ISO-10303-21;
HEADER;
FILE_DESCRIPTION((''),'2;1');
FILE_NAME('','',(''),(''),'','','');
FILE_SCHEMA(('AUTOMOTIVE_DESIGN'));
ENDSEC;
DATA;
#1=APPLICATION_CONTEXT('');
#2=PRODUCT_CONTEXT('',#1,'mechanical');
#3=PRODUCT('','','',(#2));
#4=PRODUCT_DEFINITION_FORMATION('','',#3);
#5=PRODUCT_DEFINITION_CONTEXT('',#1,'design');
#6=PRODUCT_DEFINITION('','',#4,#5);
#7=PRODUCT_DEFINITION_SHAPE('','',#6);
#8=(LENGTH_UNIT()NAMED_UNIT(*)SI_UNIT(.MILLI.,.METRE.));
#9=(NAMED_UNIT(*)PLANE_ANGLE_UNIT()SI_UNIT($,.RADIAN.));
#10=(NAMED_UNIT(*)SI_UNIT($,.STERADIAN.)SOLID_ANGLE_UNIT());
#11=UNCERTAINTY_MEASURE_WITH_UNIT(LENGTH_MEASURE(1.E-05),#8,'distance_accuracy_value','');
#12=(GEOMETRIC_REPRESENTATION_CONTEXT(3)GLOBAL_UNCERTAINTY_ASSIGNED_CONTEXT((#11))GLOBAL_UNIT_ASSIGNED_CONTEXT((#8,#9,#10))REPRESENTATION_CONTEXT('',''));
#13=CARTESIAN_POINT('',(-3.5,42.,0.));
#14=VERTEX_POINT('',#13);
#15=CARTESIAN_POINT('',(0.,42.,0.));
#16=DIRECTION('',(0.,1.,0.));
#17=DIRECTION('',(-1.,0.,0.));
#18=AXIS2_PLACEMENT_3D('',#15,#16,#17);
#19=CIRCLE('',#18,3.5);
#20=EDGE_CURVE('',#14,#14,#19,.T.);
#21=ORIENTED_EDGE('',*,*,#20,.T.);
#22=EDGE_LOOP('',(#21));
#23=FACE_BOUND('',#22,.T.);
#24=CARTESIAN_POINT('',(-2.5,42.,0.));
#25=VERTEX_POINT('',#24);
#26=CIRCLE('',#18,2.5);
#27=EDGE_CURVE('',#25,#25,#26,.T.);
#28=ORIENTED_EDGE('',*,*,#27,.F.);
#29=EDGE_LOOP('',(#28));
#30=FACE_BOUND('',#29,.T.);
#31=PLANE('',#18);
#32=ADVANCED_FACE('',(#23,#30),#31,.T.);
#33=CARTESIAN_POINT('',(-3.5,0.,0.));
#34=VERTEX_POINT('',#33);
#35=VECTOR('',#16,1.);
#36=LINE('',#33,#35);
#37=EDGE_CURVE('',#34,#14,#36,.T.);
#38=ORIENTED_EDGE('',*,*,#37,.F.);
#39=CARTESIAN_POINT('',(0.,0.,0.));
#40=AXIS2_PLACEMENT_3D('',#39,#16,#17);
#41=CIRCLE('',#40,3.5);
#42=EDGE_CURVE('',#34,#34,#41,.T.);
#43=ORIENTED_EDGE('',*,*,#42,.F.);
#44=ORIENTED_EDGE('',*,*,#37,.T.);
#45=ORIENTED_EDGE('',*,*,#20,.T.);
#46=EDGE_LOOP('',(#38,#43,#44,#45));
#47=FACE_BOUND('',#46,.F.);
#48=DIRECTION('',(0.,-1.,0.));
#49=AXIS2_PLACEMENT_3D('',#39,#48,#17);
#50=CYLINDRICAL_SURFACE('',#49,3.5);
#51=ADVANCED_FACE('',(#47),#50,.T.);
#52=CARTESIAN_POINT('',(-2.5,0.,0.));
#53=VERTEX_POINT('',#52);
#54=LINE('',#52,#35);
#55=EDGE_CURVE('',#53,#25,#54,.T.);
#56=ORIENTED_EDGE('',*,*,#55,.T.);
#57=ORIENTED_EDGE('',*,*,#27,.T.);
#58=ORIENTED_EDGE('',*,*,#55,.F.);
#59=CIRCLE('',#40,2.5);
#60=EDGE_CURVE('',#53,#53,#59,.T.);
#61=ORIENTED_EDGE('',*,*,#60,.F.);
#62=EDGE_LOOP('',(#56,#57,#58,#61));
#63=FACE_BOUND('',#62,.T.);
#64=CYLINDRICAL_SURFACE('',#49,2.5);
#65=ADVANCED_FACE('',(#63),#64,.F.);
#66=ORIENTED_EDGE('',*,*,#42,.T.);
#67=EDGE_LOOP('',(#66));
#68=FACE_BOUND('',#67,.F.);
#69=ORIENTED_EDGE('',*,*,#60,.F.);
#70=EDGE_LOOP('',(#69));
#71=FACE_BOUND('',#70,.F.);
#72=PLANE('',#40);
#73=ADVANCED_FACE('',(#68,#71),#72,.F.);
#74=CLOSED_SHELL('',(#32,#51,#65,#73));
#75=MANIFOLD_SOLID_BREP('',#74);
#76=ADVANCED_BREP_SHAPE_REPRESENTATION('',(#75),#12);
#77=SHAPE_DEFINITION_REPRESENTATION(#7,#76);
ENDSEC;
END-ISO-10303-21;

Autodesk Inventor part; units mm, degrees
ref_plane "YZ Plane" through (0, 0, 0) normal (1, 0, 0) x (0, 1, 0)
ref_plane "XZ Plane" through (0, 0, 0) normal (0, 1, 0) x (-1, 0, 0)
ref_plane "XY Plane" through (0, 0, 0) normal (0, 0, 1) x (1, 0, 0)
sketch "Sketch1" plane through (0, 0, 0) normal (0, 1, 0) x (-1, 0, 0)
  circle A0 centre (0, 0) radius 3.5
  circle A1 centre (0, 0) radius 2.5
  dimension "d0" = 7
  dimension "d1" = 5
extrude "Extrusion1" add sketch "Sketch1" along normal blind 42
properties part number "5mm Spacer"
